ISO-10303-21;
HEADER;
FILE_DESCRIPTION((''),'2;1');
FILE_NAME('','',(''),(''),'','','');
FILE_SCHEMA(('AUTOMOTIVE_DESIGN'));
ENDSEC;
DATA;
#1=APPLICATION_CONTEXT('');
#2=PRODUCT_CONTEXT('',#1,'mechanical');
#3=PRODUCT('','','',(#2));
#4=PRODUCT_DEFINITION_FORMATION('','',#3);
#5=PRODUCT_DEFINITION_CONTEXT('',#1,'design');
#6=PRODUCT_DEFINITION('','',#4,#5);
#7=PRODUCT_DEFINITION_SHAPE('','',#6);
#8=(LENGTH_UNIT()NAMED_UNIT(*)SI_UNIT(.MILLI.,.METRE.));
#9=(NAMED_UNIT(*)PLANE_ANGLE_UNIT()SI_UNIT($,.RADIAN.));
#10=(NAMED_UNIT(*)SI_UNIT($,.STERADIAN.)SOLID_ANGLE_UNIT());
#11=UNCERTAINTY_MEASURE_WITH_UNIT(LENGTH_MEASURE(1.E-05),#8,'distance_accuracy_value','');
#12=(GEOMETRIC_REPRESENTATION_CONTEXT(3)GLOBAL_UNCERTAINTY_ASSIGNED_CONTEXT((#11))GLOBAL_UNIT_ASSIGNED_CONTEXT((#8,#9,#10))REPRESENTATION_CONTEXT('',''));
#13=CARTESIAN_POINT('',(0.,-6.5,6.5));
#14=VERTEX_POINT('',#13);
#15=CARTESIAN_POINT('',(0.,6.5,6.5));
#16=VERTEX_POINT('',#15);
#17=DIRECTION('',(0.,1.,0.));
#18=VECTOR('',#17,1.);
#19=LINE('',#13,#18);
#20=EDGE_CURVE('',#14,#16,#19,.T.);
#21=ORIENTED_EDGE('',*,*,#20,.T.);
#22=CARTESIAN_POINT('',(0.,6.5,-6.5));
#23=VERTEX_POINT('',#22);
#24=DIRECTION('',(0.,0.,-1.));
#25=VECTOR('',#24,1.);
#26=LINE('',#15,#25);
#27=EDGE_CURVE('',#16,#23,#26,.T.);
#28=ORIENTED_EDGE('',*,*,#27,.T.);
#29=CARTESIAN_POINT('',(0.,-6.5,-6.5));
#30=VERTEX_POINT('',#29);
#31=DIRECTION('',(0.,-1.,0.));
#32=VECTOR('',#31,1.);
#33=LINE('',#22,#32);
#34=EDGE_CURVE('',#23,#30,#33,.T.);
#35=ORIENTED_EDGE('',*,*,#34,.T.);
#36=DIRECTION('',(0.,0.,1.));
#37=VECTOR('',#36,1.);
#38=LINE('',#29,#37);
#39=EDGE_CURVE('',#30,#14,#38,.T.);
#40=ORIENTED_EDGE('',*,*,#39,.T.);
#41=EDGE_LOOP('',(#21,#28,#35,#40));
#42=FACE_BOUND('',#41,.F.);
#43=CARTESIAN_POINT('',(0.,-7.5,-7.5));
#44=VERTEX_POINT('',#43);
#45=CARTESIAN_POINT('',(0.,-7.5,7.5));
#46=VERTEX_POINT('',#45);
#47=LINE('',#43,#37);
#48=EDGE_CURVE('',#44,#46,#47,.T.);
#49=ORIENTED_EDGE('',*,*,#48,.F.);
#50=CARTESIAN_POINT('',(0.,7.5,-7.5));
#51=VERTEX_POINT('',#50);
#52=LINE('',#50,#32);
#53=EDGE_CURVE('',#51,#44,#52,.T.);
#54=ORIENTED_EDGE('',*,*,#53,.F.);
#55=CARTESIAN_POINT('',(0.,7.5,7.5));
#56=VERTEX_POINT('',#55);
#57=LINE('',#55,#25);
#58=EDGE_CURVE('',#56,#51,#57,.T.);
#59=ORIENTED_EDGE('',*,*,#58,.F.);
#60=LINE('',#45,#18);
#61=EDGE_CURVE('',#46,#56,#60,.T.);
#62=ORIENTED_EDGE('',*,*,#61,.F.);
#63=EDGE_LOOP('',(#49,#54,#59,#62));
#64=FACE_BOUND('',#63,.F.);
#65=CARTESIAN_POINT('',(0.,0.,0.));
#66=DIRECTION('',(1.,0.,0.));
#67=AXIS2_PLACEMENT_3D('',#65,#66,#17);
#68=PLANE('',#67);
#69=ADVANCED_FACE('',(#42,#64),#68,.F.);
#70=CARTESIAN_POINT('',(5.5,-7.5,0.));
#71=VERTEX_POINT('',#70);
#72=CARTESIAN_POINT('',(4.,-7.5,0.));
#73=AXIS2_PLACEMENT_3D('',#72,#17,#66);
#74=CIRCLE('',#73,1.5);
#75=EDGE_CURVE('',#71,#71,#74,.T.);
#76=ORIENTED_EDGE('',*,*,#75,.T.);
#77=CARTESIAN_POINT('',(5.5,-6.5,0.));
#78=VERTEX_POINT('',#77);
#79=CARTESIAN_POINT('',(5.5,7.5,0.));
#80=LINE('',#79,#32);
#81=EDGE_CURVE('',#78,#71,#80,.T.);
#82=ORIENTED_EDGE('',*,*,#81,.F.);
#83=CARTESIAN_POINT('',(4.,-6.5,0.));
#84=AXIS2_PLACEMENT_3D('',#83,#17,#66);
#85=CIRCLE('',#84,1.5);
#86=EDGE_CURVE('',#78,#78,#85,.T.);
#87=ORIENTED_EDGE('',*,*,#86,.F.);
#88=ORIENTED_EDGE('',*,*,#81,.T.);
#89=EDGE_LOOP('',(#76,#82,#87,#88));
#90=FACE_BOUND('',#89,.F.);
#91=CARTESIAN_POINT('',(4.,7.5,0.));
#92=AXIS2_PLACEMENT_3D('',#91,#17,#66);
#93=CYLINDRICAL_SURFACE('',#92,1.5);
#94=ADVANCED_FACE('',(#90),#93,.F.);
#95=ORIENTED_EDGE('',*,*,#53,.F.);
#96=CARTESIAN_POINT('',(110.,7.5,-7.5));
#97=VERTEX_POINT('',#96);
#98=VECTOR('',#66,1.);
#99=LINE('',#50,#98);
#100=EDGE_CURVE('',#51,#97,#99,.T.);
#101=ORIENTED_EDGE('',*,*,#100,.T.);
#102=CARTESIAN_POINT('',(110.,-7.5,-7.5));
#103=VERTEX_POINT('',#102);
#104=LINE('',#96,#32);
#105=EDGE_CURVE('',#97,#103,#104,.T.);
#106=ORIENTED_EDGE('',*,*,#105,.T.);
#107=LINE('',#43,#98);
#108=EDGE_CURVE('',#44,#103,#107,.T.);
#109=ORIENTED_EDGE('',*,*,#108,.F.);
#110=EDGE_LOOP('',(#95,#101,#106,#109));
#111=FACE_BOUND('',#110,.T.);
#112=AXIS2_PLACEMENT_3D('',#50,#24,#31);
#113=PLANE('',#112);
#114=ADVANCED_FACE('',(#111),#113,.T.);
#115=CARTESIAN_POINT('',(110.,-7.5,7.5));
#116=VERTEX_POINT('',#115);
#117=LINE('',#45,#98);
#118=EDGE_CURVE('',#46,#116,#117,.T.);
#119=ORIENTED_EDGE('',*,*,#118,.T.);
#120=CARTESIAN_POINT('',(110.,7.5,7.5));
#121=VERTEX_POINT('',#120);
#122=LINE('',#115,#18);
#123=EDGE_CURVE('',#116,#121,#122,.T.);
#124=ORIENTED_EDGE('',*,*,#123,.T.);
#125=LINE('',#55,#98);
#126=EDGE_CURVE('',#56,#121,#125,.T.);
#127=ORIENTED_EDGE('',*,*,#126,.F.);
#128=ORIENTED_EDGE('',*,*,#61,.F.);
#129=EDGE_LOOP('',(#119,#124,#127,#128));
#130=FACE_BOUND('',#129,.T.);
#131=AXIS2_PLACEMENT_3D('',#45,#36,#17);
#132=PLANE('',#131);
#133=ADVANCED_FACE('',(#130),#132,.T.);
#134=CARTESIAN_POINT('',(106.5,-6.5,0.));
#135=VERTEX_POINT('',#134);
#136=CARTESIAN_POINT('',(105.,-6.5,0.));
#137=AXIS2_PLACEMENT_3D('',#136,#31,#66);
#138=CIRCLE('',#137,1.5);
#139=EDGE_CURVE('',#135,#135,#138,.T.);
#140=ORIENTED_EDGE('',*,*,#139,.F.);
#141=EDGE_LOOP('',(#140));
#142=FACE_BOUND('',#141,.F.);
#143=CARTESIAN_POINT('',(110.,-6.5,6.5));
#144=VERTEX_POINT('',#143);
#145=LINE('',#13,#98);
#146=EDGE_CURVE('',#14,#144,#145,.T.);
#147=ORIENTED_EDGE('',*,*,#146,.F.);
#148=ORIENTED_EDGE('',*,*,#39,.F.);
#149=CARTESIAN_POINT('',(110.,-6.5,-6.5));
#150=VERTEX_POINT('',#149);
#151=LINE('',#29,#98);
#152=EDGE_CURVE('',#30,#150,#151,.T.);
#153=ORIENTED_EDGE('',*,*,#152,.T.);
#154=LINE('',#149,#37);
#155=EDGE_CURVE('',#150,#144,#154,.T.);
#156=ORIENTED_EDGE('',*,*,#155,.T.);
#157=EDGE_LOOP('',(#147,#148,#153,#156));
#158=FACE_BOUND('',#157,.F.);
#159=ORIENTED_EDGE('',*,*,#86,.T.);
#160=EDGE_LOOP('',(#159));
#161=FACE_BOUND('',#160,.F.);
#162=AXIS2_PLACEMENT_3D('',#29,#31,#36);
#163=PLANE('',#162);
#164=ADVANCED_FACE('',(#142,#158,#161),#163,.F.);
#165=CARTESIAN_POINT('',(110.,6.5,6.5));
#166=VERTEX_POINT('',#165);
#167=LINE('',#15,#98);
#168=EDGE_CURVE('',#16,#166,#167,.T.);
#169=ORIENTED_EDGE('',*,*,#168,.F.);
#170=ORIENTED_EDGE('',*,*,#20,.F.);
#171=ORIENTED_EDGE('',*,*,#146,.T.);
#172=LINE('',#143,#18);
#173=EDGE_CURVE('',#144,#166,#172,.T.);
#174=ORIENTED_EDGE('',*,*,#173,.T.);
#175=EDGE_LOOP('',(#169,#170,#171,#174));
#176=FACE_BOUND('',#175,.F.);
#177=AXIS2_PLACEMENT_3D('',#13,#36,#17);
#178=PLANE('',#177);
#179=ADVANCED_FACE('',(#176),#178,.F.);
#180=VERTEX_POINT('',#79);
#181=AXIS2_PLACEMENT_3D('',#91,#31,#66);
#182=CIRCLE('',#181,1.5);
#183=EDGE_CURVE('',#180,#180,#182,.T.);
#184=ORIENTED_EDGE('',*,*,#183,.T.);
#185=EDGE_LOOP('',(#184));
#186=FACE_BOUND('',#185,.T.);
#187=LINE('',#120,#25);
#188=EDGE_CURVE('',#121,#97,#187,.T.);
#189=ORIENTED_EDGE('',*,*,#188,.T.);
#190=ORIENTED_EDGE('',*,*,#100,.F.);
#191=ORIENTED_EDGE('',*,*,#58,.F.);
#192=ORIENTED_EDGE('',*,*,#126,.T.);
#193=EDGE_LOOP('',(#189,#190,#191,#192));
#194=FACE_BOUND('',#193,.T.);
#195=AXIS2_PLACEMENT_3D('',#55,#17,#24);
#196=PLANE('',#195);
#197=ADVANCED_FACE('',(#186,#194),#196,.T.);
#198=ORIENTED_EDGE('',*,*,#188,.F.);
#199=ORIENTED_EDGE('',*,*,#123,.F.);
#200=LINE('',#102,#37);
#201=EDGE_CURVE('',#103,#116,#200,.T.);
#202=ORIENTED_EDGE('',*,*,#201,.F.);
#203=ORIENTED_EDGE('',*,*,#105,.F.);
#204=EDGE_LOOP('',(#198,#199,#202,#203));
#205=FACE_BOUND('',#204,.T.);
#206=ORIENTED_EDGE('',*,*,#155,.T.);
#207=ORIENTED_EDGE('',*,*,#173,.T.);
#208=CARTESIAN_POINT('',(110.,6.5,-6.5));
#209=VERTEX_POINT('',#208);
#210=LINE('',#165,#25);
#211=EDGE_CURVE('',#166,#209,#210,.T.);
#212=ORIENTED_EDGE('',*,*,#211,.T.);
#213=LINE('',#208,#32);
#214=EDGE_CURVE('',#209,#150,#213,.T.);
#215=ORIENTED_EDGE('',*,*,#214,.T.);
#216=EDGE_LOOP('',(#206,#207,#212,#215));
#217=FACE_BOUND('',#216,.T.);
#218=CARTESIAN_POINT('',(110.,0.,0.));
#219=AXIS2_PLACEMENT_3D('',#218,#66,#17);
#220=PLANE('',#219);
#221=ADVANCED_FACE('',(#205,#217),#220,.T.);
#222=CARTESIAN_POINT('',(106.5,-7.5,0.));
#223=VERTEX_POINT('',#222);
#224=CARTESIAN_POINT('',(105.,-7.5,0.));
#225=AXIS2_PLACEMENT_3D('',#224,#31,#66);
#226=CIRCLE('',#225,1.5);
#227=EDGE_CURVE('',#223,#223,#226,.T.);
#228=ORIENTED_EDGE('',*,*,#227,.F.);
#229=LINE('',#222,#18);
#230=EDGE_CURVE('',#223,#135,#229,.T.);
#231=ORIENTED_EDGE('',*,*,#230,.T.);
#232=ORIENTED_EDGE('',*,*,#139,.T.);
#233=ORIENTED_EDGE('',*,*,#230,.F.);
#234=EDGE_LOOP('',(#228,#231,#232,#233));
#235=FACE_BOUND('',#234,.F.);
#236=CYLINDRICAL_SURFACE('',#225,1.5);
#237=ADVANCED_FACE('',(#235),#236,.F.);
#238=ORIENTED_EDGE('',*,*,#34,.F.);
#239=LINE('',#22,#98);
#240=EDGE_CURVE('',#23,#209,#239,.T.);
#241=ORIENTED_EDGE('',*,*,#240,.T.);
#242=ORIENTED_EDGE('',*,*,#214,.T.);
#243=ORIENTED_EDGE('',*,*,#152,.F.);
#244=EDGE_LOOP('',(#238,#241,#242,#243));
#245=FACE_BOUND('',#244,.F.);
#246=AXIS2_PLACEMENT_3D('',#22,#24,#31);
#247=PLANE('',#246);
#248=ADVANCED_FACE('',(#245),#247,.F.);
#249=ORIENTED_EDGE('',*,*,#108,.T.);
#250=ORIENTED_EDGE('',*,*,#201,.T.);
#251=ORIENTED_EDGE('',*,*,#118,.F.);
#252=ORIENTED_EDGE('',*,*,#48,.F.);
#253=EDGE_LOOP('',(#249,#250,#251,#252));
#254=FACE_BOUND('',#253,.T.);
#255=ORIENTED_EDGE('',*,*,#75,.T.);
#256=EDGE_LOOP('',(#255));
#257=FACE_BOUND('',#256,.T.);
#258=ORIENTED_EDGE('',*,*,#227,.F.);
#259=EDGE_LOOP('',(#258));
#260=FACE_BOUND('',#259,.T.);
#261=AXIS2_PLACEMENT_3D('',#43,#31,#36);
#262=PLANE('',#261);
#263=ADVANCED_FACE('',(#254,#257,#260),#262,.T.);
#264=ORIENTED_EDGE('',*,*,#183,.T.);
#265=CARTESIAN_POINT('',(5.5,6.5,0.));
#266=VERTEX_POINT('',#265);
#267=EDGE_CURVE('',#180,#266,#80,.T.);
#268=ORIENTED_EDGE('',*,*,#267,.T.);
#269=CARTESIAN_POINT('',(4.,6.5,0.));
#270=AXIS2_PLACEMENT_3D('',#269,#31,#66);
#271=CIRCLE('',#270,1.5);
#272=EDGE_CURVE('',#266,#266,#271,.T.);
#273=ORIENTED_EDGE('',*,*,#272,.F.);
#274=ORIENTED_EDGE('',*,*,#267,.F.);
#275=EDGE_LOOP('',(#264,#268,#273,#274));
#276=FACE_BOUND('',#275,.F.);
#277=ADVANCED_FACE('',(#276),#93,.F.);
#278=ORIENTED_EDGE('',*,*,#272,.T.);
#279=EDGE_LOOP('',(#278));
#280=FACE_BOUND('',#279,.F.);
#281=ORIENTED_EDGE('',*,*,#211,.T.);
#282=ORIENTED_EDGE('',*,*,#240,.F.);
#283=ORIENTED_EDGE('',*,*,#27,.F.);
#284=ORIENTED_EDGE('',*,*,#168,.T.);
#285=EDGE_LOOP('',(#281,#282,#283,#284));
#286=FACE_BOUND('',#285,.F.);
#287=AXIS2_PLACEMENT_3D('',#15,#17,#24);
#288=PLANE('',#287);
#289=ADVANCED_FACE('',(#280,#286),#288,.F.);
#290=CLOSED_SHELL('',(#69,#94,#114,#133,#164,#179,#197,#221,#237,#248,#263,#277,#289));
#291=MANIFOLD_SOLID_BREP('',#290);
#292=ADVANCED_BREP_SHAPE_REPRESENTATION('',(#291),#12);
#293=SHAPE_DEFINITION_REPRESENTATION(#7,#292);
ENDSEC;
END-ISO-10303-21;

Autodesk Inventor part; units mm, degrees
ref_plane "YZ Plane" through (0, 0, 0) normal (1, 0, 0) x (0, 1, 0)
ref_plane "XZ Plane" through (0, 0, 0) normal (0, 1, 0) x (-1, 0, 0)
ref_plane "XY Plane" through (0, 0, 0) normal (0, 0, 1) x (1, 0, 0)
sketch "Sketch1" plane through (0, 0, 0) normal (1, 0, 0) x (0, 1, 0)
  line L0 (-7.5, 7.5) -> (7.5, 7.5)
  line L1 (7.5, 7.5) -> (7.5, -7.5)
  line L2 (7.5, -7.5) -> (-7.5, -7.5)
  line L3 (-7.5, -7.5) -> (-7.5, 7.5)
  line L4 (-7.5, 7.5) -> (7.5, -7.5) construction
  line L5 (7.5, 7.5) -> (-7.5, -7.5) construction
  line L6 (-6.5, 6.5) -> (6.5, 6.5)
  line L7 (6.5, 6.5) -> (6.5, -6.5)
  line L8 (6.5, -6.5) -> (-6.5, -6.5)
  line L9 (-6.5, -6.5) -> (-6.5, 6.5)
  line L10 (-6.5, 6.5) -> (6.5, -6.5) construction
  line L11 (6.5, 6.5) -> (-6.5, -6.5) construction
  point P0 (0, 0)
  dimension "d0" = 15
  dimension "d1" = 15
  dimension "d2" = 13
  dimension "d3" = 13
extrude "Extrusion1" add sketch "Sketch1" along normal blind 110
sketch "Sketch2" plane through (0, 7.5, 7.5) normal (0, 1, 0) x (1, 0, 0)
  line L0 (0, 7.5) -> (4, 7.5)
  circle A0 centre (4, 7.5) radius 1.5
  dimension "d6" = 4
  dimension "d7" = 3
extrude "Extrusion2" cut sketch "Sketch2" against normal through all
sketch "Sketch3" plane through (0, -7.5, -7.5) normal (0, -1, 0) x (1, 0, 0)
  line L0 (110, 1) -> (110, 14) projected
  line L1 (110, 7.5) -> (105, 7.5)
  circle A0 centre (105, 7.5) radius 1.5
  point P0 (0, 7.5)
  dimension "d10" = 5
  dimension "d11" = 3
extrude "Extrusion3" cut sketch "Sketch3" against normal up to next
properties part number "front_arm_rect" material "Aluminum 6061"
